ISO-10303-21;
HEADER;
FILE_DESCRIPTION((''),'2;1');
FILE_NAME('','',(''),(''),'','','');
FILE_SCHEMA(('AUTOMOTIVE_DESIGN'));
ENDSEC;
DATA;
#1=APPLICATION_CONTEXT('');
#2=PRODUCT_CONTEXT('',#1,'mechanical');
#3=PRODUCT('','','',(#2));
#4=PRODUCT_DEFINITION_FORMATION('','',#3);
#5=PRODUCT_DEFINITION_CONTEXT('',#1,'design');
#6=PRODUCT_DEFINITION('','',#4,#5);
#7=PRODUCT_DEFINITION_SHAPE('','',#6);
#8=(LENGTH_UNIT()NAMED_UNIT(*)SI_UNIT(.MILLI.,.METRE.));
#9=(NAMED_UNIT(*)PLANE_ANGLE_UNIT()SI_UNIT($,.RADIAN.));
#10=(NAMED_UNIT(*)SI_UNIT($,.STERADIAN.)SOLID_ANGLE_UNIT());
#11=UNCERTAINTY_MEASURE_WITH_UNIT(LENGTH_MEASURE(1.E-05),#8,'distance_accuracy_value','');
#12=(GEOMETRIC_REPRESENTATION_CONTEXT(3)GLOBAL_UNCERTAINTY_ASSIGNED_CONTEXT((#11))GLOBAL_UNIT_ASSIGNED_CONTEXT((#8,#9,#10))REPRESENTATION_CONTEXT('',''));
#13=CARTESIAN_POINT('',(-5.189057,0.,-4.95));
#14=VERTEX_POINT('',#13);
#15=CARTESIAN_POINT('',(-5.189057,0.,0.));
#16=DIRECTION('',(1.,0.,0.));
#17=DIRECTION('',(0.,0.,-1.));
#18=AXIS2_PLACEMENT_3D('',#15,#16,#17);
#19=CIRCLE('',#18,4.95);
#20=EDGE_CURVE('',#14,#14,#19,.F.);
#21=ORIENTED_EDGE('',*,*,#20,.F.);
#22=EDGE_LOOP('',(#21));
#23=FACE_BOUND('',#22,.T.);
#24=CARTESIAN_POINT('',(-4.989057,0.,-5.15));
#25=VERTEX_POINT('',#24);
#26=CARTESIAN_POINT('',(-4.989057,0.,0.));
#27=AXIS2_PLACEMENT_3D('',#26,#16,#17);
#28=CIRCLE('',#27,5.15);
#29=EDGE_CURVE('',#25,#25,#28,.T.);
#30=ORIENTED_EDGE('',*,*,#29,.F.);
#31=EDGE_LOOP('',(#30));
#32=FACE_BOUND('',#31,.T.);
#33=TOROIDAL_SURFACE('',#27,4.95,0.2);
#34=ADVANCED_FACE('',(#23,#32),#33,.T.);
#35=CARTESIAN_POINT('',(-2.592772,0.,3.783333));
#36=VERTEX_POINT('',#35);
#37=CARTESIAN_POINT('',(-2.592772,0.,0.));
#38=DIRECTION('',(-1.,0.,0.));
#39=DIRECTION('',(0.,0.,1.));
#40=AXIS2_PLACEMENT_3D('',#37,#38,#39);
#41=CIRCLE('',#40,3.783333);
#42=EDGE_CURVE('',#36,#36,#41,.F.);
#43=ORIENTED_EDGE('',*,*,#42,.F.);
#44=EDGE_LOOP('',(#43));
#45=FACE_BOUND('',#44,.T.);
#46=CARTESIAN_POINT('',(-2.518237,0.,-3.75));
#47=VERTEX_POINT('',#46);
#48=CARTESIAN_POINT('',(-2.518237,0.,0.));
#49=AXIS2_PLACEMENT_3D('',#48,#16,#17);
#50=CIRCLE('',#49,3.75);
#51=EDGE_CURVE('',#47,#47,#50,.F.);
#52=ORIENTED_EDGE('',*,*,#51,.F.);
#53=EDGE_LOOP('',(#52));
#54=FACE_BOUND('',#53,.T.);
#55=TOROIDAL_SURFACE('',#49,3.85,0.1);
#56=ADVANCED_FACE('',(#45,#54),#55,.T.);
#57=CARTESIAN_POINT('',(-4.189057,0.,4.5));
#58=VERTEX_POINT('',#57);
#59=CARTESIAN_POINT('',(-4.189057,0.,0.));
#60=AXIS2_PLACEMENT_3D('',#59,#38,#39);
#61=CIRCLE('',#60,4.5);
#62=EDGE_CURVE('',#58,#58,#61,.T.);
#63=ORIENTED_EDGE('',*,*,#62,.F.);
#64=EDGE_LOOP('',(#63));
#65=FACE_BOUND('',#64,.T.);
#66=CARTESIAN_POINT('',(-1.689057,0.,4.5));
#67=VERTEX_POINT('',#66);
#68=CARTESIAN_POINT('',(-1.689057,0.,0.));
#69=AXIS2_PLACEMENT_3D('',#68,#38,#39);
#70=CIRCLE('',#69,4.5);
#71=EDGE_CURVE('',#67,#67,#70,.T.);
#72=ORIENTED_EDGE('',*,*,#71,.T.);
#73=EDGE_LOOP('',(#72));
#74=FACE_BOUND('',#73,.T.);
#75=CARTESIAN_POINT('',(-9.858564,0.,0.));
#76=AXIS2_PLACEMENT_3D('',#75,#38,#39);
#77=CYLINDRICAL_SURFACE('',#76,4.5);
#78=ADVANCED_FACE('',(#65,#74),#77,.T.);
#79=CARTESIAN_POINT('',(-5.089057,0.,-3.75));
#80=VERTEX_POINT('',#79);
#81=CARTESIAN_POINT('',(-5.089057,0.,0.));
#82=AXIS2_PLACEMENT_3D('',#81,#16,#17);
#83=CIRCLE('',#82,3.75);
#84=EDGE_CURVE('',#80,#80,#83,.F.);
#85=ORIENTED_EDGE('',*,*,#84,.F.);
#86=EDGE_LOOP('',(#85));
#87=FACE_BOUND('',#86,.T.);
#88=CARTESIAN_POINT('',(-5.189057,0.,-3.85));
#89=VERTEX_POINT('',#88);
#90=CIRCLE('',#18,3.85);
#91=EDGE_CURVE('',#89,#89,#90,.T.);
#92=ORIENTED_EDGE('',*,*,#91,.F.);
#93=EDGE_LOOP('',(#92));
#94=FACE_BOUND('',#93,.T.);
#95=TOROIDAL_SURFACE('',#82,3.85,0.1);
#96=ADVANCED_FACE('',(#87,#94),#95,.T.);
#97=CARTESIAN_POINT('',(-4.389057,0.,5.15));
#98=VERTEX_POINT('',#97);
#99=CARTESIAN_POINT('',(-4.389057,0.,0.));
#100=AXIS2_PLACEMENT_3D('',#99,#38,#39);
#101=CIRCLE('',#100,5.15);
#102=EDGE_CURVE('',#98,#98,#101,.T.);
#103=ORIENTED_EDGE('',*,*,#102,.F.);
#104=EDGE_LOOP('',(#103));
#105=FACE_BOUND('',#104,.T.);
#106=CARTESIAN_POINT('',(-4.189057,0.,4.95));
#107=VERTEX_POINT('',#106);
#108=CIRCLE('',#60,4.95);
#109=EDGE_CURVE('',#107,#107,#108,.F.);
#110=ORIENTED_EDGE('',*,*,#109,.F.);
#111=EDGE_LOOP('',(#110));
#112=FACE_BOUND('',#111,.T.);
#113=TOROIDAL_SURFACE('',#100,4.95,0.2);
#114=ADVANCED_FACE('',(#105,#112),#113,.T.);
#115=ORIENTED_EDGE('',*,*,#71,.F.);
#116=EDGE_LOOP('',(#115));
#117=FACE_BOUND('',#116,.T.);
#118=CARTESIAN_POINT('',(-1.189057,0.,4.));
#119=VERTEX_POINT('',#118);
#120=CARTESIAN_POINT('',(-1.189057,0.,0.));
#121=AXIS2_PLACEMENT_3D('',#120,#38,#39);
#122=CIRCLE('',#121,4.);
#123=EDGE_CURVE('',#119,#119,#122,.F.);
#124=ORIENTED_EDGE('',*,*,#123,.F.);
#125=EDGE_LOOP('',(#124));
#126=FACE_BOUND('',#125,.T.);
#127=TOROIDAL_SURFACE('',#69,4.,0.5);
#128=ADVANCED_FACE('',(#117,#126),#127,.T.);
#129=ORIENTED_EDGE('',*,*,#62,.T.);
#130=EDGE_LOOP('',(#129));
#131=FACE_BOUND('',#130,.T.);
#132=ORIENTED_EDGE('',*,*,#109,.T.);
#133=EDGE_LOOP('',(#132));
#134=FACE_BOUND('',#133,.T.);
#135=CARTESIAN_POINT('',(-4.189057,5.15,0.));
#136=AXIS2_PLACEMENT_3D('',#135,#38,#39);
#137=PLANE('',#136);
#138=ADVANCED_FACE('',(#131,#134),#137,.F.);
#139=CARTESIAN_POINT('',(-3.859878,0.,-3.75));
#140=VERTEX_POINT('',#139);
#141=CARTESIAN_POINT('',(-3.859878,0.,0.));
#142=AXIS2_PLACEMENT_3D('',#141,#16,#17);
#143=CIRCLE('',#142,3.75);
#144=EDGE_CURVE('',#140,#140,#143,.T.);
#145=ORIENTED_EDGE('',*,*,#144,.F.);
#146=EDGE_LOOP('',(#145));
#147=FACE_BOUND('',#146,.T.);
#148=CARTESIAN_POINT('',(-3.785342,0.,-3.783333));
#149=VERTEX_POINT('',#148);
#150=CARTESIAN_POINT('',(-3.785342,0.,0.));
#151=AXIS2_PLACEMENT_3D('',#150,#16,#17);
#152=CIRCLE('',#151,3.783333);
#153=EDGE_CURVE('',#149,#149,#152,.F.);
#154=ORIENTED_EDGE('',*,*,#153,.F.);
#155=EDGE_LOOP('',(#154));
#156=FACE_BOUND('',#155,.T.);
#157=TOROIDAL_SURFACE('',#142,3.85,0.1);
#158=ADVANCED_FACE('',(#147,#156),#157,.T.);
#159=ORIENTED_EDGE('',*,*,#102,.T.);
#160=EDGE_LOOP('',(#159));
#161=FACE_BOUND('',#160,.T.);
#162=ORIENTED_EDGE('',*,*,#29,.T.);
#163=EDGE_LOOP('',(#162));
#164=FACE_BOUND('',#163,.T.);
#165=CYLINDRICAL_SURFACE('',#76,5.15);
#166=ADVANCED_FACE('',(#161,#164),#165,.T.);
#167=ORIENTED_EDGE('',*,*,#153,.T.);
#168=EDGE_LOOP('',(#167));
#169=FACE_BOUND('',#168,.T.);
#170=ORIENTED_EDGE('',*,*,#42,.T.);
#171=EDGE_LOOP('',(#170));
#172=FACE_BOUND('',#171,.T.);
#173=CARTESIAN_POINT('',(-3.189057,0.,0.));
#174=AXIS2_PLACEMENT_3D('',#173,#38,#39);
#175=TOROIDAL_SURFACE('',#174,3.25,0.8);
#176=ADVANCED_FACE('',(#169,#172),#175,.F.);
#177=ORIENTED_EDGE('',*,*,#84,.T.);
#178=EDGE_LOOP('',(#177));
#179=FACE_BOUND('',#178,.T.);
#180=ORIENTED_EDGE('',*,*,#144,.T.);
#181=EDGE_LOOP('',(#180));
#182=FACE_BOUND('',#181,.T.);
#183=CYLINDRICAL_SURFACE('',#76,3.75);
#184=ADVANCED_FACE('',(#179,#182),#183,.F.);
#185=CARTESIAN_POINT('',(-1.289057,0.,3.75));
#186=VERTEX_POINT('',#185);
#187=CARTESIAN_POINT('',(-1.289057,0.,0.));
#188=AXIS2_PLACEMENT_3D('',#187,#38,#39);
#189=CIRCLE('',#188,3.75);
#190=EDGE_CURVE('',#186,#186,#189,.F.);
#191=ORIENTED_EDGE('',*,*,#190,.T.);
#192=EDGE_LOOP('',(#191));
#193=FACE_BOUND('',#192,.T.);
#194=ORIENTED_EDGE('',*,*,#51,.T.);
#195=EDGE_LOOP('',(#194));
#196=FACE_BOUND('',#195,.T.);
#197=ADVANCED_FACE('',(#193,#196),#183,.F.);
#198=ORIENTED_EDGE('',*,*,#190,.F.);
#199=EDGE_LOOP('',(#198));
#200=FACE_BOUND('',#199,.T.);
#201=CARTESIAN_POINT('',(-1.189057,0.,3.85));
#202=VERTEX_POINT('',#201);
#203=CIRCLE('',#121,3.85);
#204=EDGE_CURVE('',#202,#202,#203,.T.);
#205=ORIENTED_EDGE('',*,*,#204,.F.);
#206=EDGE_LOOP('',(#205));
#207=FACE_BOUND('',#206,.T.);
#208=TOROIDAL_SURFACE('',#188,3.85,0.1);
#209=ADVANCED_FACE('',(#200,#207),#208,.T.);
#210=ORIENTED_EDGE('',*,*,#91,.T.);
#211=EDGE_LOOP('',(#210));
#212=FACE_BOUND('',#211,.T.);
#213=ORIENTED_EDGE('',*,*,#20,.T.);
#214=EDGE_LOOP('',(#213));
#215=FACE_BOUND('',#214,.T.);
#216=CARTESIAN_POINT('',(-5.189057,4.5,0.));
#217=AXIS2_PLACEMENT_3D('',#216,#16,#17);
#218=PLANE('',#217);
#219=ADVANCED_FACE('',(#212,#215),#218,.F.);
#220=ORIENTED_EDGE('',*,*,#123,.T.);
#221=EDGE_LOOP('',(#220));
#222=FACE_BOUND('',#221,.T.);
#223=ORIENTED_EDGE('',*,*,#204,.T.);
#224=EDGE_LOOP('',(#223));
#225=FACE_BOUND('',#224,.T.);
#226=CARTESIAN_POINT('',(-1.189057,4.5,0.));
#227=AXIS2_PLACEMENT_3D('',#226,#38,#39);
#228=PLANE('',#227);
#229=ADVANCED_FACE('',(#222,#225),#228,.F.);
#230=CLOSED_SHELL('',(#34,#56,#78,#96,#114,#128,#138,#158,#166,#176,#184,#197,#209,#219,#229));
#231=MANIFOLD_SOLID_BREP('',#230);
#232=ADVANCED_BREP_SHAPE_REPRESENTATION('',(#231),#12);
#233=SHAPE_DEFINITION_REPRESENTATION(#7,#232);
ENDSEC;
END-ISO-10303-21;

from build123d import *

# Parameters (mm, degrees)
FILLET1_R    = 5
FILLET2_R    = 1
FILLET3_R    = 2
SCALE1_SCALE = 0.1


with BuildPart() as part:
    # Sketch1 → Revolve1 (revolve)
    with BuildSketch(Plane.XY, mode=Mode.PRIVATE) as revolve1_sk:
        with BuildLine():
            Line((-10, 45), (20, 45))
            Line((20, 45), (20, 37.5))
            Line((20, 37.5), (6.244997998, 37.5))
            ThreePointArc((6.244997998, 37.5), (0, 40.5), (-6.244997998, 37.5))
            Line((-6.244997998, 37.5), (-20, 37.5))
            Line((-20, 37.5), (-20, 45))
            Line((-20, 45), (-20, 51.5))
            Line((-20, 51.5), (-10, 51.5))
            Line((-10, 51.5), (-10, 45))
        make_face()
    revolve(revolve1_sk.sketch.rotate(Axis((-66.695068513, 0, 0), (1, 0, 0)), 90), axis=Axis((-66.695068513, 0, 0), (1, 0, 0)))

    # Fillet1
    fillet1_edges = [part.edges().sort_by_distance(p)[0] for p in [
        (20, 0, -45),
    ]]
    fillet(fillet1_edges, radius=FILLET1_R)

    # Fillet2
    fillet2_edges = [part.edges().sort_by_distance(p)[0] for p in [
        (-20, 0, -37.5),
        (-6.244997998, 0, -37.5),
        (6.244997998, 0, -37.5),
        (20, 0, -37.5),
    ]]
    fillet(fillet2_edges, radius=FILLET2_R)

    # Fillet3
    fillet3_edges = [part.edges().sort_by_distance(p)[0] for p in [
        (-10, 0, -51.5),
        (-20, 0, -51.5),
    ]]
    fillet(fillet3_edges, radius=FILLET3_R)


with BuildPart() as part_1:
    # Scale1: scaled about (-3.543396942, 0, 7e-08)
    add(part.part.scale(SCALE1_SCALE).moved(Location((-3.189057248, 0, 6.3e-08))))


solid = part_1.part
